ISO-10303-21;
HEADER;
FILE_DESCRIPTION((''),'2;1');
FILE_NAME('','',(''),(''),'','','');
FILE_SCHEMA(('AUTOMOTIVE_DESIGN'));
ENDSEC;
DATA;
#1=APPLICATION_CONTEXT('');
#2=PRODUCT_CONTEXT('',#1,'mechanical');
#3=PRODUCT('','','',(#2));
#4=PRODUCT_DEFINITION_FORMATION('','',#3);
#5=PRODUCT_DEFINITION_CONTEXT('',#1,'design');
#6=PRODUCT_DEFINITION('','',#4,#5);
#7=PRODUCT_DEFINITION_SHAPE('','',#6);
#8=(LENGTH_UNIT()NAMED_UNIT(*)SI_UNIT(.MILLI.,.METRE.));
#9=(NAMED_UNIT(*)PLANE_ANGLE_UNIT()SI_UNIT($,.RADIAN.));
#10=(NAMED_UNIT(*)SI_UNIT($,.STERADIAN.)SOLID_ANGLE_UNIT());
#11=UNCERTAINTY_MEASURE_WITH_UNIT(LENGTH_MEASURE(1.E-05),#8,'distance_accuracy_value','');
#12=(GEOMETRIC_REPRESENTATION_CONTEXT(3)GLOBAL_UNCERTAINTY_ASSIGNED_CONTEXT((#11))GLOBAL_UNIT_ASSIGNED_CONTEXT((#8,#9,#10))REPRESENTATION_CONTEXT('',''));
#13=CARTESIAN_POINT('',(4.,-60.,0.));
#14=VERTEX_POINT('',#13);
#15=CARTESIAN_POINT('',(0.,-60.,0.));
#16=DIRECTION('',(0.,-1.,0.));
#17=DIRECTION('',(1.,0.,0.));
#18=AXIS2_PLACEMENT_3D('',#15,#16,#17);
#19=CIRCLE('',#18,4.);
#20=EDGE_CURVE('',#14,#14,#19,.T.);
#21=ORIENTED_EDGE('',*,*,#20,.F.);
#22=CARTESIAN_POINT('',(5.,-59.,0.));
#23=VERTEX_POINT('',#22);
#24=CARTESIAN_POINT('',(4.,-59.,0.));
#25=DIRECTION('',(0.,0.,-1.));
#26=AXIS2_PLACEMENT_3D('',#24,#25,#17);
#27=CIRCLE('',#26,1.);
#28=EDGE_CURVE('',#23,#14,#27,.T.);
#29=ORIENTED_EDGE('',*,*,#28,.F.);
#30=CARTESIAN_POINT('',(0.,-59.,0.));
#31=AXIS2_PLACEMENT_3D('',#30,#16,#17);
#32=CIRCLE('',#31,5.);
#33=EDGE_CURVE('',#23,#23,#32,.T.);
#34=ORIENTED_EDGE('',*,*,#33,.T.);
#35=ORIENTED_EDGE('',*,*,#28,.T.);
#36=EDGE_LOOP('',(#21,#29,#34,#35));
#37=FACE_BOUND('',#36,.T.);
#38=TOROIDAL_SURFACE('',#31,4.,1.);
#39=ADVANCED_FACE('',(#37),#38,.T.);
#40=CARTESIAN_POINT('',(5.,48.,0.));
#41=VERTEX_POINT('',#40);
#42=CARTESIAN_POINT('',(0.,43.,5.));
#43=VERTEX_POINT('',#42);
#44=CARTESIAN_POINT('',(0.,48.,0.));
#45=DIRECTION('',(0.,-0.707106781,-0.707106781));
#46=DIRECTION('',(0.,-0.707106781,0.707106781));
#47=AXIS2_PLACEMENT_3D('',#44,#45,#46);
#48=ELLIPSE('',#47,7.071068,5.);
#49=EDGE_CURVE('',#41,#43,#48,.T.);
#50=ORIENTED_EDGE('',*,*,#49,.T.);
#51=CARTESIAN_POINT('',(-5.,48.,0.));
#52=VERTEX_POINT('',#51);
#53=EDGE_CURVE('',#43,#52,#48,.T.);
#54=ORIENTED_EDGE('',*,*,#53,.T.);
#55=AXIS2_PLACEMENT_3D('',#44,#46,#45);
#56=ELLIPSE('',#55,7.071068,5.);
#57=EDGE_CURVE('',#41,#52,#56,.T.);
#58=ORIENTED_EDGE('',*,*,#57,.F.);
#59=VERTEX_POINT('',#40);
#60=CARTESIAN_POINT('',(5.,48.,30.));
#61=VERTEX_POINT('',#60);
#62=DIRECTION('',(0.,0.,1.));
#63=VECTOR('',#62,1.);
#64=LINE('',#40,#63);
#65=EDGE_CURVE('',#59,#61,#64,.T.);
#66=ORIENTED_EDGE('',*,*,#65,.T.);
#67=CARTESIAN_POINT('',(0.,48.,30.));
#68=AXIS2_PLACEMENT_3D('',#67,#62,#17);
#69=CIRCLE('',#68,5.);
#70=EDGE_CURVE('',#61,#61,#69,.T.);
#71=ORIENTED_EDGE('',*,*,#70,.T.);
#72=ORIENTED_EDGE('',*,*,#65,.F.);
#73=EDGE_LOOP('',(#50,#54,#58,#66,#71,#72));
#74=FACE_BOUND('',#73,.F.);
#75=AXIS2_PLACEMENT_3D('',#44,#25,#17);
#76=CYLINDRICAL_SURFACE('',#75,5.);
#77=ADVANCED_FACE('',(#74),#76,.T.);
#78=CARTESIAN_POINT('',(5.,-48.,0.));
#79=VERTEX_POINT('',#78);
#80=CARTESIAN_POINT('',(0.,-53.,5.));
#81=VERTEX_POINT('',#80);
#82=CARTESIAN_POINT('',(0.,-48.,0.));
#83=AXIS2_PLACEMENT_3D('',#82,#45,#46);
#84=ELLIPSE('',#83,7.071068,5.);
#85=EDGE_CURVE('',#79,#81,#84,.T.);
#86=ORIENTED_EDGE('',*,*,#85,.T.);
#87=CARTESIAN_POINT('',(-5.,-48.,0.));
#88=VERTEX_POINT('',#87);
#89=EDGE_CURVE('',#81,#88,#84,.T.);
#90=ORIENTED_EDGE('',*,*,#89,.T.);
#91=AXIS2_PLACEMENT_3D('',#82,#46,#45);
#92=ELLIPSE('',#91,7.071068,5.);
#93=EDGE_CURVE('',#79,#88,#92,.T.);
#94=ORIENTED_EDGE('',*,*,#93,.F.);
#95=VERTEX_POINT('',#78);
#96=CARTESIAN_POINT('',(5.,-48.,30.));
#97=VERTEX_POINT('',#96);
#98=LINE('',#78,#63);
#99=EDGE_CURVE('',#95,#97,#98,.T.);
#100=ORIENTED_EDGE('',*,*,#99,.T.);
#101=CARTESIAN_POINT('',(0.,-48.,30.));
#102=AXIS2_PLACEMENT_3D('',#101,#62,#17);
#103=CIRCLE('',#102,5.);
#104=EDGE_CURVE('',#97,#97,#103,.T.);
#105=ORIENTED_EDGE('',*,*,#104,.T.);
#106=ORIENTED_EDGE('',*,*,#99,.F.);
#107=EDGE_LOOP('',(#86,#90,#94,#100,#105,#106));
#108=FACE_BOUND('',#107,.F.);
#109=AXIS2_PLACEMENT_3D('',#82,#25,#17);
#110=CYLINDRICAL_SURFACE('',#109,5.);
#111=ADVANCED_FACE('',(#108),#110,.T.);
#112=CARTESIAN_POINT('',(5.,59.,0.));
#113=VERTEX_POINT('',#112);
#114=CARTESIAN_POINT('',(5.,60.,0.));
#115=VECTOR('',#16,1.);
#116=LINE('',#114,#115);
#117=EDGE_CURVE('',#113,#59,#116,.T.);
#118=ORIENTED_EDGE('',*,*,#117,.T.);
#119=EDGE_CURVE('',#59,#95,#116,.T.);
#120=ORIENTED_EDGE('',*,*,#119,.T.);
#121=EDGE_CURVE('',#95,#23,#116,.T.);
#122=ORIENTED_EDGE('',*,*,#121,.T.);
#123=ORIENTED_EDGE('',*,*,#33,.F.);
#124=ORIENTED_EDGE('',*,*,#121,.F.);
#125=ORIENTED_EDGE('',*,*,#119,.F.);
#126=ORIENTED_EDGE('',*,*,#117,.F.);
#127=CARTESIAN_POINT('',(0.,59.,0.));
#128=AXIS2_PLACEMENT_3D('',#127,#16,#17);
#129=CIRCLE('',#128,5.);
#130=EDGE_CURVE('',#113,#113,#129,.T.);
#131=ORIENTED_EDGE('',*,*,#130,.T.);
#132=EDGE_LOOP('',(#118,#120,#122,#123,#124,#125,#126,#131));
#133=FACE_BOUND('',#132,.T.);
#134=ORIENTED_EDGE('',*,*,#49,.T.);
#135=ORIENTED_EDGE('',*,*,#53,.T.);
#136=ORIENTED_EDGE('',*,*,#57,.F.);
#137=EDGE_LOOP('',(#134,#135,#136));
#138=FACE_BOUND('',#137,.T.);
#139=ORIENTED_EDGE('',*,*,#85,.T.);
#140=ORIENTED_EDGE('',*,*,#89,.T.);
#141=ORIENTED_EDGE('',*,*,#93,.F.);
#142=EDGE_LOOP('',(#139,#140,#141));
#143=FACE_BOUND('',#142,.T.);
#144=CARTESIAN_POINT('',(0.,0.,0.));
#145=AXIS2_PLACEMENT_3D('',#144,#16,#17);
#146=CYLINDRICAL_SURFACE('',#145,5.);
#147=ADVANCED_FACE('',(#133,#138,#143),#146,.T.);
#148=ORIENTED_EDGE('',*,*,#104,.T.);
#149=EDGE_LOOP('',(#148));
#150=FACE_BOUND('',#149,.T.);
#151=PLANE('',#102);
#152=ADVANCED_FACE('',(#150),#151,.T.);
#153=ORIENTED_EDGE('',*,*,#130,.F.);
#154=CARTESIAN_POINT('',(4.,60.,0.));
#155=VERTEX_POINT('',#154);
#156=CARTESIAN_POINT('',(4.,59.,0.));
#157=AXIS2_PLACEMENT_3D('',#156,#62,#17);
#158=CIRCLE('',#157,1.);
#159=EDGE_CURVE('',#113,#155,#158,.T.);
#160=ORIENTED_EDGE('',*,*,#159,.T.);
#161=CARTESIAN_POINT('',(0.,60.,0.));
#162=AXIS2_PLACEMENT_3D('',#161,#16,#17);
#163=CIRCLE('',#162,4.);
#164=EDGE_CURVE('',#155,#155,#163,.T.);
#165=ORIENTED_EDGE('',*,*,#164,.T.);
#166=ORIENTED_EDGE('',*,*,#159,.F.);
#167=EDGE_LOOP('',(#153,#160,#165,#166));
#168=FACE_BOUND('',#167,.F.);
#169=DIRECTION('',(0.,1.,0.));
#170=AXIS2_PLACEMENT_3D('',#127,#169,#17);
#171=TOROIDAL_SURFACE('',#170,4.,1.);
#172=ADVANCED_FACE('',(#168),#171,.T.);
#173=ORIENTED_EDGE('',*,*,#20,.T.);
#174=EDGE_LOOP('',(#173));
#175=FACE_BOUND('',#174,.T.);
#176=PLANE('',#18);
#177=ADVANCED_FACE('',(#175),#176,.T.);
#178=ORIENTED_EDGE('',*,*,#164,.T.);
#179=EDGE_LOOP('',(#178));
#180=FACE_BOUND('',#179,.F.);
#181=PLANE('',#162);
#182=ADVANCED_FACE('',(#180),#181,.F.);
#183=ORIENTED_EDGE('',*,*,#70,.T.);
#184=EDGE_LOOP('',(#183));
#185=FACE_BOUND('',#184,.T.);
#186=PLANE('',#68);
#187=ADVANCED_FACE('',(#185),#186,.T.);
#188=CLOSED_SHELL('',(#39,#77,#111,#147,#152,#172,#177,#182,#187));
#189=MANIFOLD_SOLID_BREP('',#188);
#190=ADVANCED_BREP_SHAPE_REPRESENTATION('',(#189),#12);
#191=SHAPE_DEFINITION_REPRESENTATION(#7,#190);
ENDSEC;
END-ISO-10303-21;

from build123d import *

# Parameters (mm, degrees)
F0_R     = 5
F1_DEPTH = 60
F2_R     = 5
F3_DEPTH = 30
F4_R     = 1


with BuildPart() as f1:
    # F0 (on Front) → F1 (new body, symmetric)
    with BuildSketch(Plane.XZ):
        Circle(F0_R)
    extrude(amount=F1_DEPTH, both=True)

    # F2 (on Top) → F3 (join)
    with BuildSketch(Plane.XY):
        with Locations((0, 48)):
            Circle(F2_R)
        with Locations((0, -48)):
            Circle(F2_R)
    extrude(amount=F3_DEPTH)

    # F4
    f4_edges = [f1.edges().sort_by_distance(p)[0] for p in [
        (-5, 60, 0),
        (-5, -60, 0),
    ]]
    fillet(f4_edges, radius=F4_R)


solid = f1.part
